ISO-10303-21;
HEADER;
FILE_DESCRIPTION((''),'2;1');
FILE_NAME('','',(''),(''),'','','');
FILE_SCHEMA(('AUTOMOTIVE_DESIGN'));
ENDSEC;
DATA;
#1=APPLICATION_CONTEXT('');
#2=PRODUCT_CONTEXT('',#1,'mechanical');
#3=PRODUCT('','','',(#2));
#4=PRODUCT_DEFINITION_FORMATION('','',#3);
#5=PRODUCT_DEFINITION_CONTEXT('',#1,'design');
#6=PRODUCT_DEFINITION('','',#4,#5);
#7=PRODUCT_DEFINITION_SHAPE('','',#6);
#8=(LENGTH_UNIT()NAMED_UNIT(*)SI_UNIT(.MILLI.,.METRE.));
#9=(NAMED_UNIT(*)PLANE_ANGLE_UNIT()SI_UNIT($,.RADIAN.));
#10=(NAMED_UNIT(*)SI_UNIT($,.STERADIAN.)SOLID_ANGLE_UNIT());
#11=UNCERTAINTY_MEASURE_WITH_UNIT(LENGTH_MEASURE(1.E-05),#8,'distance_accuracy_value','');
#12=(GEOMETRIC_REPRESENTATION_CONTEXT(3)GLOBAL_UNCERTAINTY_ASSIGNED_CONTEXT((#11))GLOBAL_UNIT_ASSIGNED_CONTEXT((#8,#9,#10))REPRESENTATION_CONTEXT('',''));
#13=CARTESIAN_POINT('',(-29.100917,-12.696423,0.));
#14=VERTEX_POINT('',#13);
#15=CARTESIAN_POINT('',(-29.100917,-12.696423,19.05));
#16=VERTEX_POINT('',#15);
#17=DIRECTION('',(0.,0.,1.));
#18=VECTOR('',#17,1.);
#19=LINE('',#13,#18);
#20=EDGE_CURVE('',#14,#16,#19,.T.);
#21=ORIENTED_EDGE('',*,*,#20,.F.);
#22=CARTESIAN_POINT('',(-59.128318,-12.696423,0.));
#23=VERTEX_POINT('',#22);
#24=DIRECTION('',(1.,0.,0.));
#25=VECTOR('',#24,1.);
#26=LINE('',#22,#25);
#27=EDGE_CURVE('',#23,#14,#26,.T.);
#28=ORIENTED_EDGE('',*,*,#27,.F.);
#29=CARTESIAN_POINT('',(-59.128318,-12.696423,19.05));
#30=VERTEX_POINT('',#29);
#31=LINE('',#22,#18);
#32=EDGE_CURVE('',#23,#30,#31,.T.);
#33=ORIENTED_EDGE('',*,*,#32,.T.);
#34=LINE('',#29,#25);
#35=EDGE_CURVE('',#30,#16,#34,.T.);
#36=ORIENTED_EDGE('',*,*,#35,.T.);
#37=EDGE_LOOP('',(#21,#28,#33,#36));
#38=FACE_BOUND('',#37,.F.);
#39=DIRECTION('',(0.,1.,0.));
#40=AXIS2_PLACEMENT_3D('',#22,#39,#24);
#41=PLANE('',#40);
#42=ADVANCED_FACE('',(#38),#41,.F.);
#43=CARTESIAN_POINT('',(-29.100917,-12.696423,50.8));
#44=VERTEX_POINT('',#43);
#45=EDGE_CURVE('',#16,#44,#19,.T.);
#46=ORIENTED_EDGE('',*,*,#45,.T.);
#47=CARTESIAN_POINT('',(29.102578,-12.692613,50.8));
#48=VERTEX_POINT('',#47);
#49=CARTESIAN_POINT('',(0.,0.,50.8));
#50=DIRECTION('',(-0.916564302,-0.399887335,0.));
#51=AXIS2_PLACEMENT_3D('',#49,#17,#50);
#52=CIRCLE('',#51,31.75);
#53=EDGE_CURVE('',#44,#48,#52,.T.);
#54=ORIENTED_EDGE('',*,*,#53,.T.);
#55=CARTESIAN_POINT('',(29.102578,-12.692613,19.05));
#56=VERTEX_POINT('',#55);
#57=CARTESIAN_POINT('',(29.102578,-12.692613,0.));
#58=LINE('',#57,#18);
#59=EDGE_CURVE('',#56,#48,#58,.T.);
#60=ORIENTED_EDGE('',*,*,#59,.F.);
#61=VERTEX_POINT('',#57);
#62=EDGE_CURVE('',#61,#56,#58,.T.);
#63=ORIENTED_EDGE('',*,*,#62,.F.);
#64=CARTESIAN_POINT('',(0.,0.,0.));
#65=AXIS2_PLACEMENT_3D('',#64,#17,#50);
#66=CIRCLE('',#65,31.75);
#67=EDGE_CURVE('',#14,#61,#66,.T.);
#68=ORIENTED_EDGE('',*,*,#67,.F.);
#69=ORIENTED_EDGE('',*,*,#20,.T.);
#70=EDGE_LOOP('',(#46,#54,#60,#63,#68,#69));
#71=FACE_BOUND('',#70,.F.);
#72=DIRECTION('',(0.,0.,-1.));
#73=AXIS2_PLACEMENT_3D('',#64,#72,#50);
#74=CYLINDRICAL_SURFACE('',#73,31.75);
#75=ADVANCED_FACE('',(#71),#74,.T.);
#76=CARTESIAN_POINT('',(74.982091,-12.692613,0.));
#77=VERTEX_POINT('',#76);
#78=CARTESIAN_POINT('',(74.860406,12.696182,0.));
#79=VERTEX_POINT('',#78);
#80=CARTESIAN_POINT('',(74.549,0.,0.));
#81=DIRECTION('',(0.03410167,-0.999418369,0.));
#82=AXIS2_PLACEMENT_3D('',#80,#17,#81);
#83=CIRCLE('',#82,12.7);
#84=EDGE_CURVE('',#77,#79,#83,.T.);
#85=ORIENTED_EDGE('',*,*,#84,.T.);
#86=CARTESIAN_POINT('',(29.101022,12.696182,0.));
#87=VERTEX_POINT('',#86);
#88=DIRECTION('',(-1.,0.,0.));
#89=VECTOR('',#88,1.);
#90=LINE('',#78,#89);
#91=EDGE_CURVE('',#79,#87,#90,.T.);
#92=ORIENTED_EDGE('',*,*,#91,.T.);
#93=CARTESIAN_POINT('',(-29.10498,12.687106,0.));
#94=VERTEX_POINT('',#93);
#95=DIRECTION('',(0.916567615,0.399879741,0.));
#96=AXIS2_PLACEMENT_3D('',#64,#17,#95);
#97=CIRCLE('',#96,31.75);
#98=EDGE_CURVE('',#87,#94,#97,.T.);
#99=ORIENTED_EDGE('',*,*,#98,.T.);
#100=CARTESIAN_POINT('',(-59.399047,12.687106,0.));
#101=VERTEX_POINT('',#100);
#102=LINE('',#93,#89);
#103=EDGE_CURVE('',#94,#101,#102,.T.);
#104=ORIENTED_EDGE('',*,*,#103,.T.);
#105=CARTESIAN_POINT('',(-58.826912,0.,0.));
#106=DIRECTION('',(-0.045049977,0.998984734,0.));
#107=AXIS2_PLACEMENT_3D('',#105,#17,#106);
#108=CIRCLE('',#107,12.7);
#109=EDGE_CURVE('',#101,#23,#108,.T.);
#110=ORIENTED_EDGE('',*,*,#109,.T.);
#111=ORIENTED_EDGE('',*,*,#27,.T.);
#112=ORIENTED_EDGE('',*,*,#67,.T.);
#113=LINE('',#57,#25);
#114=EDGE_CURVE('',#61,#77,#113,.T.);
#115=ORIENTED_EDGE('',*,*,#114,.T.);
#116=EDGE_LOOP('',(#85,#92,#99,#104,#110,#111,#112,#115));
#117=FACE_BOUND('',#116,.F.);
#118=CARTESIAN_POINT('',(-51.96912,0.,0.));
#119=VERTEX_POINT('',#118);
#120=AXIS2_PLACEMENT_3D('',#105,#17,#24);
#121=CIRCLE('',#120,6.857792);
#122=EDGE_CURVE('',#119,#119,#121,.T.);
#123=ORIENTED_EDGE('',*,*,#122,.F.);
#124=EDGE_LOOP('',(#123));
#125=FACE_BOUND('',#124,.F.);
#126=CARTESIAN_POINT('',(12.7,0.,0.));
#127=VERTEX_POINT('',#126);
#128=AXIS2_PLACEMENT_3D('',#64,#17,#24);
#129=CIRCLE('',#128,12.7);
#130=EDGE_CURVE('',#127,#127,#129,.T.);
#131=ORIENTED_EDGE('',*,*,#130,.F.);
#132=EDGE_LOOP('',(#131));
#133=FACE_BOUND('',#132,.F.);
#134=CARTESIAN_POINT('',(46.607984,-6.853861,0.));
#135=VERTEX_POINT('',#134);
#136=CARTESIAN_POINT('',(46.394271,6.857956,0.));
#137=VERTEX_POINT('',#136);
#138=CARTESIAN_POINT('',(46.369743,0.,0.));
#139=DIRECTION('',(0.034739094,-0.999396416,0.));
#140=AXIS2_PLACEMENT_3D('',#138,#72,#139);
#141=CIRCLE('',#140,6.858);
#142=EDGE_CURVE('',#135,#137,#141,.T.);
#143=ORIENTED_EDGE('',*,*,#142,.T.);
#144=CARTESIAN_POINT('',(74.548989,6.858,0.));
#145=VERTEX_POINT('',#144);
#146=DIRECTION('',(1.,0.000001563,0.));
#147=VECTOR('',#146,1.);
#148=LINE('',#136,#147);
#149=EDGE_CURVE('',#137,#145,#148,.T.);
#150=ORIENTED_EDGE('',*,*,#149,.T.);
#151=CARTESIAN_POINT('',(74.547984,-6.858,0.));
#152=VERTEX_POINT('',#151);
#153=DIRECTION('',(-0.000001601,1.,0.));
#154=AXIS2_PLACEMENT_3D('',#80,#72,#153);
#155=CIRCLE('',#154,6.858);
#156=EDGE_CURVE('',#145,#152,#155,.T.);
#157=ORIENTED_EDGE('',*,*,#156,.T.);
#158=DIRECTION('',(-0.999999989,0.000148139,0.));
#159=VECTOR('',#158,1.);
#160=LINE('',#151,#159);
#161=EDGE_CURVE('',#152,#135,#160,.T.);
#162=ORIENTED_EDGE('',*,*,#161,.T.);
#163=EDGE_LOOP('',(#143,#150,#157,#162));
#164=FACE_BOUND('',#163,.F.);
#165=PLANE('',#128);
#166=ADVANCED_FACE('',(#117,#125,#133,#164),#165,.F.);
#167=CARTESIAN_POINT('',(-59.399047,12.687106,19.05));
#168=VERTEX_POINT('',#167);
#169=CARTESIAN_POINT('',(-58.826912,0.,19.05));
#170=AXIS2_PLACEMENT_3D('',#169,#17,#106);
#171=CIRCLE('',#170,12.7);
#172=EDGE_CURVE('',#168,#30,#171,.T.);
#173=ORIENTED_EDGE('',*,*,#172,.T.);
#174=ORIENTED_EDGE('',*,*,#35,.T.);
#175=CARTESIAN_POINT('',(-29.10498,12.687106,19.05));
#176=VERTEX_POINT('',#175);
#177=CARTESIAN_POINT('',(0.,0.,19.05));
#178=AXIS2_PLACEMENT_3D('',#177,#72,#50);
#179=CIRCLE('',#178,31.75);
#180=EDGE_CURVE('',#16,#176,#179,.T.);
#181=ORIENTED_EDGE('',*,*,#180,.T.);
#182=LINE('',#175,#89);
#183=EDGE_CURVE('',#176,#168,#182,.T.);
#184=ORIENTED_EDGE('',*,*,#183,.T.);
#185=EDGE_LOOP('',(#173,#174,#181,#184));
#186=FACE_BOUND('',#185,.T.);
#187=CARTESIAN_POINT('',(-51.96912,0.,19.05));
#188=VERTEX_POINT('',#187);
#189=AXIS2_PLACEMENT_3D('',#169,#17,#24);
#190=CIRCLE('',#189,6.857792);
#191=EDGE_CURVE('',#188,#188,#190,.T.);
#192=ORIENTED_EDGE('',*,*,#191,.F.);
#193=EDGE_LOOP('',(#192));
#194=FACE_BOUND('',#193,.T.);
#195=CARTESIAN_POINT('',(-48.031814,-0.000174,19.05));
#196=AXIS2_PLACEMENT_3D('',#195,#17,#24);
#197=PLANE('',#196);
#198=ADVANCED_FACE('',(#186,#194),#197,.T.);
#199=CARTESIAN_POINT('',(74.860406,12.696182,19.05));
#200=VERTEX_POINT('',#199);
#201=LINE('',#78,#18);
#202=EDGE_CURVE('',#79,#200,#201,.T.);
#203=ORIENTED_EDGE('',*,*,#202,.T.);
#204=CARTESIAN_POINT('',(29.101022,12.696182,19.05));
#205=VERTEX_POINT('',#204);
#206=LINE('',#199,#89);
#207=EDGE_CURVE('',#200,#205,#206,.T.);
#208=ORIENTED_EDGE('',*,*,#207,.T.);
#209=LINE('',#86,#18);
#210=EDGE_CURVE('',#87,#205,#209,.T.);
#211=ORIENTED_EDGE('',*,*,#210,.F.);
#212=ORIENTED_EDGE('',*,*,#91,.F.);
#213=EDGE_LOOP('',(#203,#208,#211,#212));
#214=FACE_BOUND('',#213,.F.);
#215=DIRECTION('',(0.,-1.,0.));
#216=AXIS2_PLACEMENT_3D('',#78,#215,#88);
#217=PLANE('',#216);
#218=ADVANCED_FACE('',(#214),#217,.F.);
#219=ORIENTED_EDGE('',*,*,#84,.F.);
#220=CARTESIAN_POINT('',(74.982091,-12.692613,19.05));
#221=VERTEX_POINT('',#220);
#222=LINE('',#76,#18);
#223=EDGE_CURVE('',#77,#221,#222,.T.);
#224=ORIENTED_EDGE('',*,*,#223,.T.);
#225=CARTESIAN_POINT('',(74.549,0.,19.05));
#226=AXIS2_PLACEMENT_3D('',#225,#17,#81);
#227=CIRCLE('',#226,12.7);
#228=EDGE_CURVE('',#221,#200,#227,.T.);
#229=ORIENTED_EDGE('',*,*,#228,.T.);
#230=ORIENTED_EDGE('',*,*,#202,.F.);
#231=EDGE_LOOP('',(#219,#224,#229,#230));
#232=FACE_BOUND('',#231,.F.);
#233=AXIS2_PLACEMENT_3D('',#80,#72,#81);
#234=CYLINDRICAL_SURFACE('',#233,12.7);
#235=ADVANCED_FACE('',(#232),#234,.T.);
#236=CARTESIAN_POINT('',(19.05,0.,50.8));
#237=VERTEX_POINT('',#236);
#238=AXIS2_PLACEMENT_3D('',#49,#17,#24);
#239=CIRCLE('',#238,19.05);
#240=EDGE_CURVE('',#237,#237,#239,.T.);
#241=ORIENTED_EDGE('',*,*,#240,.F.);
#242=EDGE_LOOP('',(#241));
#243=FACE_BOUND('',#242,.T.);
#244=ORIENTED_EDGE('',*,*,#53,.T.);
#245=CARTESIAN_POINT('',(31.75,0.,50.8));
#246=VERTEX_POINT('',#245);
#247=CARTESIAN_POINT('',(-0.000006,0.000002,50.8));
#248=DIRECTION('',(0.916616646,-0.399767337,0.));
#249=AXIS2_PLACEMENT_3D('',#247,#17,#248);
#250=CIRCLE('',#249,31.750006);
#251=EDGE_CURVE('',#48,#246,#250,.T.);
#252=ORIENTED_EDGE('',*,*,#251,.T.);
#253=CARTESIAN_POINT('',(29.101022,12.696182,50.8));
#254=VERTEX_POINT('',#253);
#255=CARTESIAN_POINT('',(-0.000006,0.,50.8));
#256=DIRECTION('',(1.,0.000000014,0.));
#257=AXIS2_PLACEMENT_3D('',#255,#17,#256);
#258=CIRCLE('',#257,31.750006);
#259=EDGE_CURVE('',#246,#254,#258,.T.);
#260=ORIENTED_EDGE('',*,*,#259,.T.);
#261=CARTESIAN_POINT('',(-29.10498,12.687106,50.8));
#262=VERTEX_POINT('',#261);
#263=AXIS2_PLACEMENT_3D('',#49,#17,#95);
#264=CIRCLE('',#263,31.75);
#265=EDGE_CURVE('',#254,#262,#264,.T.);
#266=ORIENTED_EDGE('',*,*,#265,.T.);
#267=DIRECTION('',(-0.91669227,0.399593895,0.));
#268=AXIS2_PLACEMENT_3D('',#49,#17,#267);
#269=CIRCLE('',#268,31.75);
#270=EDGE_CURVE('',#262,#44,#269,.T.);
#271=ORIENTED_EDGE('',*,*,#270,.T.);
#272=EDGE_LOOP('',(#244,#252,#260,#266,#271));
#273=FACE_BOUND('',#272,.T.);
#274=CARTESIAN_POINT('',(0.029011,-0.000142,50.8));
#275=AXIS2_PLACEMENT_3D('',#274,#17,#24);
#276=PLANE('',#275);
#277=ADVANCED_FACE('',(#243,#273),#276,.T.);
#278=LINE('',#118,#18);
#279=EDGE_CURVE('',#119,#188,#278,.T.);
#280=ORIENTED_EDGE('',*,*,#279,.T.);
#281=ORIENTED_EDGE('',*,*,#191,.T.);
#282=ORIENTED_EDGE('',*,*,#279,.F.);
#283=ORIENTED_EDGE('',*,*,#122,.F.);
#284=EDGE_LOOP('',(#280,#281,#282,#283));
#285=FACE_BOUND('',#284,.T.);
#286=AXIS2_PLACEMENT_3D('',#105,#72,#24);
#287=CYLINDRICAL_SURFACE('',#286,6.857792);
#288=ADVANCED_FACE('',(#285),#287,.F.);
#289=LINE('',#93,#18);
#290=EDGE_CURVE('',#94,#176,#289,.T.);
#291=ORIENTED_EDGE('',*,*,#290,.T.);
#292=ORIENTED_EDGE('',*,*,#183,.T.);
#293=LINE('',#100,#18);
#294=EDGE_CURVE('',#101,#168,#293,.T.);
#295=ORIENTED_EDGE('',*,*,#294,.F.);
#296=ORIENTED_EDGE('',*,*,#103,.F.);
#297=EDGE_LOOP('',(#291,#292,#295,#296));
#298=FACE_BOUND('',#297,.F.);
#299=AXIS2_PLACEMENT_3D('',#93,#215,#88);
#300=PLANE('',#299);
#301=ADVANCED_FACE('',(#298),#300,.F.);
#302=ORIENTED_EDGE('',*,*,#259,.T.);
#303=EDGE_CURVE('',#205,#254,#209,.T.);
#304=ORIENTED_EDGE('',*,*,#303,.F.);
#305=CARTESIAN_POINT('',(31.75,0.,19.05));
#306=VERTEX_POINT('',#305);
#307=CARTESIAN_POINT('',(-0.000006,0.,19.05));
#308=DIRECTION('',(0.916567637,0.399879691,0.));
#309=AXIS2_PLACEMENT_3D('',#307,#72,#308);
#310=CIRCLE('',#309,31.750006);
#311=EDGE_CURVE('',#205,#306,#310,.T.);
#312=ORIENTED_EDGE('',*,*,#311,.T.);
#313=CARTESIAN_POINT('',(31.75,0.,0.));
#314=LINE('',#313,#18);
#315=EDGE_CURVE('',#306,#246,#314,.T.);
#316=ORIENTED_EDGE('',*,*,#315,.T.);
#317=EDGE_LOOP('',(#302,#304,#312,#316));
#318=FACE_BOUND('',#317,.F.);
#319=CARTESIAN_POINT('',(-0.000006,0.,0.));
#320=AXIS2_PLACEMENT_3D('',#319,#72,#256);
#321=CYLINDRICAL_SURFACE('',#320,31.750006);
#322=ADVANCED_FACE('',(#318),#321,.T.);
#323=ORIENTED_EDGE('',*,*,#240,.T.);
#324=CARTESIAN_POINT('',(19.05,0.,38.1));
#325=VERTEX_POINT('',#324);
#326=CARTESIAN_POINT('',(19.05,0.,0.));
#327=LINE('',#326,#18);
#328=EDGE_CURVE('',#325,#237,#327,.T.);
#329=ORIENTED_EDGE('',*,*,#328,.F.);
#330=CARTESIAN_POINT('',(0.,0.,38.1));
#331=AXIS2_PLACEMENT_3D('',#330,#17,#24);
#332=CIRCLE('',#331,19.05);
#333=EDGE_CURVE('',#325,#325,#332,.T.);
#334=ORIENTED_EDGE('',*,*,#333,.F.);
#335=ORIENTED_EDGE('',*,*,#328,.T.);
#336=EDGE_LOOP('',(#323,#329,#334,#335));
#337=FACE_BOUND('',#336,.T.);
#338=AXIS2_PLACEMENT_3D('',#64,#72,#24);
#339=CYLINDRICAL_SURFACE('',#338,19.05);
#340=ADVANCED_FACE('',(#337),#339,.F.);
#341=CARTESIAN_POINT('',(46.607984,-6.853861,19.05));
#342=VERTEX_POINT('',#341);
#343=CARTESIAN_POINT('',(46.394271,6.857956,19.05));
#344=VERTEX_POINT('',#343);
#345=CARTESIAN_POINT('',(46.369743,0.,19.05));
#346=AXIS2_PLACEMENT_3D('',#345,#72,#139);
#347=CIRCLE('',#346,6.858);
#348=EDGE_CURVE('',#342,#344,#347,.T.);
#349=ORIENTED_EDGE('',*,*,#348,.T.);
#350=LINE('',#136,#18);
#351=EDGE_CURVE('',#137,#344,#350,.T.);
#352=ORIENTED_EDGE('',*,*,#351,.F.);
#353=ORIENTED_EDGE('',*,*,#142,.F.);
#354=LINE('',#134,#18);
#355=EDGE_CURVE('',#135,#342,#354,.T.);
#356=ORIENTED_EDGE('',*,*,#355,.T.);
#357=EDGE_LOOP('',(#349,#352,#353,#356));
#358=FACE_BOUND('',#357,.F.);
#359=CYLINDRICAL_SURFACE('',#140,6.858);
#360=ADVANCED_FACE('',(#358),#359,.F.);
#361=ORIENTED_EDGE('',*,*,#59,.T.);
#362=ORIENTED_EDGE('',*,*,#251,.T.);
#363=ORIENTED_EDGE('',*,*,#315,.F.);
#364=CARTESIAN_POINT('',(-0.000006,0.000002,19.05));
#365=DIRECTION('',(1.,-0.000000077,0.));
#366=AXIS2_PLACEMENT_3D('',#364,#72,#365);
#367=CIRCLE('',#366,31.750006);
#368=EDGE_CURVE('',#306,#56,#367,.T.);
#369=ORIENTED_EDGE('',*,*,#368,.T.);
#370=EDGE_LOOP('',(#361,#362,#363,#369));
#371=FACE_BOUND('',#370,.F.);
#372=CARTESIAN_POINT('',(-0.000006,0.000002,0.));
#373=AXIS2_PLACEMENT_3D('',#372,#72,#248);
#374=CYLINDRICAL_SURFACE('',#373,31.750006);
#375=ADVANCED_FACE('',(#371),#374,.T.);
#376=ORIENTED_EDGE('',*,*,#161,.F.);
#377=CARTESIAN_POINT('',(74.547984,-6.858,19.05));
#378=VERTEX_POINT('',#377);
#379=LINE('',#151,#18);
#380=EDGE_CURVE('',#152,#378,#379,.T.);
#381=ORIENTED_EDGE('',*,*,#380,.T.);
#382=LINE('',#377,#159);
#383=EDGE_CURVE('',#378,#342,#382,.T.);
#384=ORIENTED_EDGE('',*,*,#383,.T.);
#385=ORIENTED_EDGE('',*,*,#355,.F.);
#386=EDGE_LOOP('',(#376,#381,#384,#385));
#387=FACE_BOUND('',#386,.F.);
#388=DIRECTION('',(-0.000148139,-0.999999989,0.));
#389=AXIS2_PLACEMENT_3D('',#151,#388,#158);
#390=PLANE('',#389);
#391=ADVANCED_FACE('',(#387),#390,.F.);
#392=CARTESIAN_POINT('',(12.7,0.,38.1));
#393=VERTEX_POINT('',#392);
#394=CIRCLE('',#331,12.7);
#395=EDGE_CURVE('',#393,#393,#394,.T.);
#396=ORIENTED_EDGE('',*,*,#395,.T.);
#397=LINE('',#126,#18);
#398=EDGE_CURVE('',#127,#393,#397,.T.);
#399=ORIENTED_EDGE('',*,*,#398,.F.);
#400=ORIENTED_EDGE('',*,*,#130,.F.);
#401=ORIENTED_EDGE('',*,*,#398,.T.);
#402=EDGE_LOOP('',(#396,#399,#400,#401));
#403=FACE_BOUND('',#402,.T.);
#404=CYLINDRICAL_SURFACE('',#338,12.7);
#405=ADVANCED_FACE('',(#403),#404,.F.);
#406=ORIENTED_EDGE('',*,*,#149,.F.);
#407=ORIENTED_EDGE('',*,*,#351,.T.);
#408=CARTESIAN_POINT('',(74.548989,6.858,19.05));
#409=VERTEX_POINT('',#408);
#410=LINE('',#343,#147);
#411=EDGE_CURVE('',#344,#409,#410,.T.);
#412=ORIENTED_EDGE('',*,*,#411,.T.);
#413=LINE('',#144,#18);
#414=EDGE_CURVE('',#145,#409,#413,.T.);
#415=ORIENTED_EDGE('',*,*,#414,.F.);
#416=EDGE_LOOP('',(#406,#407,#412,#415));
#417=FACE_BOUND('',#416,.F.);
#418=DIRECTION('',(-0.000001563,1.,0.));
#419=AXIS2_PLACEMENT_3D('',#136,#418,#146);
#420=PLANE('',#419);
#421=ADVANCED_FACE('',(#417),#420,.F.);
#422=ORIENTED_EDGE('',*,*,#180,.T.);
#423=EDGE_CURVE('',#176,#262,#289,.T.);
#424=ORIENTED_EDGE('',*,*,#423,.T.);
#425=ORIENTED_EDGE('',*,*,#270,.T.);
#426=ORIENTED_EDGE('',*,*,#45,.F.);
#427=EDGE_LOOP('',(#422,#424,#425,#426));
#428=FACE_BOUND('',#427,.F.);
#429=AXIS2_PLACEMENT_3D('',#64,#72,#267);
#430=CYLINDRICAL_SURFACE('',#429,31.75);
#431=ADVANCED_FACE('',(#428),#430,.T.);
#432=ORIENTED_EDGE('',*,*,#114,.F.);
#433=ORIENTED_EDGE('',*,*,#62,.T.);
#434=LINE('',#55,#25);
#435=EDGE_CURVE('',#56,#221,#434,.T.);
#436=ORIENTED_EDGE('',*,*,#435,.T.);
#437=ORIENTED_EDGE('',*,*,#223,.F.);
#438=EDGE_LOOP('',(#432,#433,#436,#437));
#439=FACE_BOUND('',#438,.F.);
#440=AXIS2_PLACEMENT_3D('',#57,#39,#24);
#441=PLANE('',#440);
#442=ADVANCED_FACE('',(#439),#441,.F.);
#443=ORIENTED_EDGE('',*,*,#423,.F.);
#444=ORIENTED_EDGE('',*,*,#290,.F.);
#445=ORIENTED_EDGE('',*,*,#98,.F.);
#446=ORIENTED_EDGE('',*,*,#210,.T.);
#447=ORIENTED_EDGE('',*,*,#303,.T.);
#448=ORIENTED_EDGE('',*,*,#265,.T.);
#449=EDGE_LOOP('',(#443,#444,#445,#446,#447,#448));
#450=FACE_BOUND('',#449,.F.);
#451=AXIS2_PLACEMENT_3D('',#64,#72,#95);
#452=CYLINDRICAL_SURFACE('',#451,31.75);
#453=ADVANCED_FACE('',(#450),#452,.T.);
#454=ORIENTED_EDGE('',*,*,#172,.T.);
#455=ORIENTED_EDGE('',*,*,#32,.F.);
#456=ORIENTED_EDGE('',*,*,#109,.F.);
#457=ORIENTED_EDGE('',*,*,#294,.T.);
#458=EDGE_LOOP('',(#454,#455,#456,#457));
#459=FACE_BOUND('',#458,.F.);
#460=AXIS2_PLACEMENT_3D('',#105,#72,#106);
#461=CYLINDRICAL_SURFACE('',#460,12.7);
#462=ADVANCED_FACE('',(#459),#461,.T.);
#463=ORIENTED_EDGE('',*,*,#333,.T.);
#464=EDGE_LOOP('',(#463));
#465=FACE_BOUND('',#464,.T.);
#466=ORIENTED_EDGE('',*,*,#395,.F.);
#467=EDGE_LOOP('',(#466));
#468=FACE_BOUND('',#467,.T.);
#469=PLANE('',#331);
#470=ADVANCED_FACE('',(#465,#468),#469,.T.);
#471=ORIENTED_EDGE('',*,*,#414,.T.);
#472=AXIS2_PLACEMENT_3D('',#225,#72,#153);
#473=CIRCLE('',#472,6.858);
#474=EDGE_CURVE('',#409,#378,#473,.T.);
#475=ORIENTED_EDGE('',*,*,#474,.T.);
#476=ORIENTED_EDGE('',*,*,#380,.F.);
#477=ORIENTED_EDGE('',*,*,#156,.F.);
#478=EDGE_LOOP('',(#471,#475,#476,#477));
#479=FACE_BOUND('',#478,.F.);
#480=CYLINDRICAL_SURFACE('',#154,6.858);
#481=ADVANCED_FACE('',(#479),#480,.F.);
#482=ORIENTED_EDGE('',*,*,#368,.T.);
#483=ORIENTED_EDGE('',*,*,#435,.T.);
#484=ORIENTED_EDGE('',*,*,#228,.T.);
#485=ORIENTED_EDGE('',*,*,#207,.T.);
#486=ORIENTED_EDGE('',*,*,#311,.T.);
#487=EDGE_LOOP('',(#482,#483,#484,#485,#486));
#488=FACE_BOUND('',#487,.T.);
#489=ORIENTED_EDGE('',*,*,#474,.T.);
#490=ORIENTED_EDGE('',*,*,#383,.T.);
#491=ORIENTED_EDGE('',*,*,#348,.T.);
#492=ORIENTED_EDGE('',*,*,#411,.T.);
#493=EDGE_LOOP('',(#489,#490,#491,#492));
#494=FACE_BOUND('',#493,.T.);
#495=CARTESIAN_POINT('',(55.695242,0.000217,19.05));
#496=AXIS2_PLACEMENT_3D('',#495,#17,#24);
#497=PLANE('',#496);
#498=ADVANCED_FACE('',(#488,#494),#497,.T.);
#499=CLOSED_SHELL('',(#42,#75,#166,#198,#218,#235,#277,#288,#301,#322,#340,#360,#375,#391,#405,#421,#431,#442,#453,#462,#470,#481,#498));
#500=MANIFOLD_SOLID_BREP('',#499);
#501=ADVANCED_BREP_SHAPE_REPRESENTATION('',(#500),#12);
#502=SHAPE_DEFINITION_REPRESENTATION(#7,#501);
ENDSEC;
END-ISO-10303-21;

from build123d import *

# Parameters (mm, degrees)
F0_R     = 19.05
F1_DEPTH = 50.8
F0_R_2   = 6.857792
F2_DEPTH = 19.05
F3_DEPTH = 19.05
F0_R_3   = 12.7
F4_DEPTH = 38.1


with BuildPart() as f1:
    # F0 (on Top) → F1 (new body)
    with BuildSketch(Plane.XY):
        with BuildLine():
            ThreePointArc((29.102578, -12.692613), (31.081098, -6.482887), (31.75, 0))
            ThreePointArc((31.75, 0), (31.080701, 6.484792), (29.101022, 12.696182))
            ThreePointArc((29.101022, 12.696182), (-0.00495, 31.75), (-29.10498, 12.687106))
            ThreePointArc((-29.10498, 12.687106), (-31.75, -0.005082), (-29.100917, -12.696423))
            ThreePointArc((-29.100917, -12.696423), (0.002078, -31.75), (29.102578, -12.692613))
        make_face()
        Circle(F0_R, mode=Mode.SUBTRACT)
    extrude(amount=F1_DEPTH)

    # F0 (on Top) → F2 (join)
    with BuildSketch(Plane.XY):
        with BuildLine():
            ThreePointArc((-29.100917, -12.696423), (-31.75, -0.005082), (-29.10498, 12.687106))
            Line((-29.10498, 12.687106), (-58.254777, 12.687106))
            Line((-58.254777, 12.687106), (-59.399047, 12.687106))
            ThreePointArc((-59.399047, 12.687106), (-71.52619, -0.135445), (-59.128318, -12.696423))
            Line((-59.128318, -12.696423), (-58.525507, -12.696423))
            Line((-58.525507, -12.696423), (-29.100917, -12.696423))
        make_face()
        with Locations((-58.826912, 0)):
            Circle(F0_R_2, mode=Mode.SUBTRACT)
    extrude(amount=F2_DEPTH)

    # F0 (on Top) → F3 (join)
    with BuildSketch(Plane.XY):
        with BuildLine():
            ThreePointArc((29.101022, 12.696182), (31.080701, 6.484792), (31.75, 0))
            ThreePointArc((31.75, 0), (31.081098, -6.482887), (29.102578, -12.692613))
            Line((29.102578, -12.692613), (74.115909, -12.692613))
            Line((74.115909, -12.692613), (74.982091, -12.692613))
            ThreePointArc((74.982091, -12.692613), (87.248854, 0.060869), (74.860406, 12.696182))
            Line((74.860406, 12.696182), (74.237594, 12.696182))
            Line((74.237594, 12.696182), (29.101022, 12.696182))
        make_face()
        with BuildLine():
            ThreePointArc((74.548989, 6.858), (81.407, -0.000503), (74.547984, -6.858))
            Line((74.547984, -6.858), (46.607984, -6.853861))
            ThreePointArc((46.607984, -6.853861), (39.512576, -0.106876), (46.394271, 6.857956))
            Line((46.394271, 6.857956), (74.548989, 6.858))
        make_face(mode=Mode.SUBTRACT)
    extrude(amount=F3_DEPTH)

    # F0 (on Top) → F4 (join)
    with BuildSketch(Plane.XY):
        Circle(F0_R)
        Circle(F0_R_3, mode=Mode.SUBTRACT)
    extrude(amount=F4_DEPTH)


solid = f1.part
